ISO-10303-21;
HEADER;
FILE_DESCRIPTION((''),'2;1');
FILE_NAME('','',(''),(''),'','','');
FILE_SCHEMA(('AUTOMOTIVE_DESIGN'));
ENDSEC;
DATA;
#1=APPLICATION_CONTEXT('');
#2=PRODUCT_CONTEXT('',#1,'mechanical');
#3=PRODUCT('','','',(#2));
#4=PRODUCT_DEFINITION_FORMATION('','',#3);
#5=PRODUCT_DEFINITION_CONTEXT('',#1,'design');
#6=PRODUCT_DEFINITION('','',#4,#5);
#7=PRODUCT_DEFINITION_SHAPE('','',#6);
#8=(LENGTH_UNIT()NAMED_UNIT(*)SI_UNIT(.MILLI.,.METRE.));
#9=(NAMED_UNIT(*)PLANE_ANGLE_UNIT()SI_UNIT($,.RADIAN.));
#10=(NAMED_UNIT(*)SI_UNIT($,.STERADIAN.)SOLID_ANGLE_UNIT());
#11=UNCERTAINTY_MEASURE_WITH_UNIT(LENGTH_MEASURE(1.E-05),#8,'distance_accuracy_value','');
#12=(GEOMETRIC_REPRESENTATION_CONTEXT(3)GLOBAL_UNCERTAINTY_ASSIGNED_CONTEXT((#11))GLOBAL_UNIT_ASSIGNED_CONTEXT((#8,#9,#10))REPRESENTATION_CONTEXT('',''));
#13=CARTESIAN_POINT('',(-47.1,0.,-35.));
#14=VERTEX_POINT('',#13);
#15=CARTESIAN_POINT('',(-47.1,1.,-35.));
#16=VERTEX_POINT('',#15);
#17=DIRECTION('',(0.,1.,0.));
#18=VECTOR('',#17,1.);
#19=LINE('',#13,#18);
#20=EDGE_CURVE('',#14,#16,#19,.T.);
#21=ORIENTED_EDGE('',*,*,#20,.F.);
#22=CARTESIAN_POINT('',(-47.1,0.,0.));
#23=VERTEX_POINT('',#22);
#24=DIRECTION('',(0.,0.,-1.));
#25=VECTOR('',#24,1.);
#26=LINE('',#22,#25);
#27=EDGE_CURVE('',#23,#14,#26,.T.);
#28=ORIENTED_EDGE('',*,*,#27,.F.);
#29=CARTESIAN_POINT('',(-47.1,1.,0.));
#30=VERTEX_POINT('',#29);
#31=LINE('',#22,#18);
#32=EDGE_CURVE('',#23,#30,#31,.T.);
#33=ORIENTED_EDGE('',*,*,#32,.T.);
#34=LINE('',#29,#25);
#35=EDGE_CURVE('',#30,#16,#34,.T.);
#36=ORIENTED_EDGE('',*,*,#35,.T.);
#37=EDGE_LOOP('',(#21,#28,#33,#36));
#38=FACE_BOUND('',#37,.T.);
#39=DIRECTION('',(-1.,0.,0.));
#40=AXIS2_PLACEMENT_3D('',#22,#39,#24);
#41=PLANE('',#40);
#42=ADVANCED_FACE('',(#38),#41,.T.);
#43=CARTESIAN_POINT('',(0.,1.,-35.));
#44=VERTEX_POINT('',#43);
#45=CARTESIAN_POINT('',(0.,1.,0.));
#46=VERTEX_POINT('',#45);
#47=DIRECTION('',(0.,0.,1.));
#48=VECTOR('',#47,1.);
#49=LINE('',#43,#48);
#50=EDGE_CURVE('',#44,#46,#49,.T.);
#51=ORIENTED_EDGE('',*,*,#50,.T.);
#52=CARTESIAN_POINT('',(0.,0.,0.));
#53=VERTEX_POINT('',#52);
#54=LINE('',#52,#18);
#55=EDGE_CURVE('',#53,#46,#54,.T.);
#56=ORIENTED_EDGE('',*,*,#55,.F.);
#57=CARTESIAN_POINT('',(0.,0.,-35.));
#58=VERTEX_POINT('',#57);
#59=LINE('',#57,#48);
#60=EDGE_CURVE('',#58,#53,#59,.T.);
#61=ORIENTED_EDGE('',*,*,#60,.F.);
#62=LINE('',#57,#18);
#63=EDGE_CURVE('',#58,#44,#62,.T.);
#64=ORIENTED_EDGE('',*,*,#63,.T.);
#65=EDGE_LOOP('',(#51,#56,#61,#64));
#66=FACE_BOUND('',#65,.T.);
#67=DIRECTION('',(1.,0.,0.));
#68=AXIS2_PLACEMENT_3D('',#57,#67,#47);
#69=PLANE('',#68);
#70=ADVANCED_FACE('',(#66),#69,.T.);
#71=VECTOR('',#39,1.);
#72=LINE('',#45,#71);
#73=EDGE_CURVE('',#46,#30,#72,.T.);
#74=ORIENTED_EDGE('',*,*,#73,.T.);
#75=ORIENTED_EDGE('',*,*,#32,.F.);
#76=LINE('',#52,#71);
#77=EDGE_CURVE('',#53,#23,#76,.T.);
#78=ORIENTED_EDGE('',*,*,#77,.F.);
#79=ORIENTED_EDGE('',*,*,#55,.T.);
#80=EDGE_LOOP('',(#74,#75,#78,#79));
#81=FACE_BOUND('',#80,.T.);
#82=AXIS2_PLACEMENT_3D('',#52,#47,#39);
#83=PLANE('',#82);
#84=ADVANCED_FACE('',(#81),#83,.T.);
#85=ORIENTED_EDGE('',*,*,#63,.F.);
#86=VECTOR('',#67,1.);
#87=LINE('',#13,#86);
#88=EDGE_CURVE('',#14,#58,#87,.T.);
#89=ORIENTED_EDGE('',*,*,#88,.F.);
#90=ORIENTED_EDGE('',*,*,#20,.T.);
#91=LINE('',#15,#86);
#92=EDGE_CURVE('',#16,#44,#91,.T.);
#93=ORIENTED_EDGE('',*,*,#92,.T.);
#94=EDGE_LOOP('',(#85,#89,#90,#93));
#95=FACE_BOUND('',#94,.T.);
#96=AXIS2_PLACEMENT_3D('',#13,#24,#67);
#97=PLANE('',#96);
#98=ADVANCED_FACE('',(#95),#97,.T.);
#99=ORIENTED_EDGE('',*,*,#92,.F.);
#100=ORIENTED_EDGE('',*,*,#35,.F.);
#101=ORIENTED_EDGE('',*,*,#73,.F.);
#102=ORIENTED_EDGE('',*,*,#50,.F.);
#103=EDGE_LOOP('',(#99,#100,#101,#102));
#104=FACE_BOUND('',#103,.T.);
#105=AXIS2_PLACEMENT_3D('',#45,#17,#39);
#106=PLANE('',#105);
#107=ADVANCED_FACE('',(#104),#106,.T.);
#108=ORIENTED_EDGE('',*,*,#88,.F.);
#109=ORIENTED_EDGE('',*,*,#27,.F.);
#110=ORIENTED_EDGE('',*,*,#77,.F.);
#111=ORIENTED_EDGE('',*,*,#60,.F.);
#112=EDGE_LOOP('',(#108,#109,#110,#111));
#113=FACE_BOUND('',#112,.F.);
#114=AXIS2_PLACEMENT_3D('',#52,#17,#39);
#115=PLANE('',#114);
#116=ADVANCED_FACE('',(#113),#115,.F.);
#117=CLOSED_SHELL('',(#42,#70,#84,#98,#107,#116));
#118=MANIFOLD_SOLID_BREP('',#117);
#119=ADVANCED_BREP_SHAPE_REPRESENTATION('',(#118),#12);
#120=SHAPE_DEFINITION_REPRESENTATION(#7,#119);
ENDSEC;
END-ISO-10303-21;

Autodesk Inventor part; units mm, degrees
ref_plane "YZ Plane" through (0, 0, 0) normal (1, 0, 0) x (0, 1, 0)
ref_plane "XZ Plane" through (0, 0, 0) normal (0, 1, 0) x (-1, 0, 0)
ref_plane "XY Plane" through (0, 0, 0) normal (0, 0, 1) x (1, 0, 0)
sketch "Sketch1" plane through (0, 0, 0) normal (0, 1, 0) x (-1, 0, 0)
  line L0 (0, 0) -> (47.1, 0)
  line L1 (47.1, 0) -> (47.1, -35)
  line L2 (47.1, -35) -> (0, -35)
  line L3 (0, -35) -> (0, 0)
  dimension "d0" = 47.1
  dimension "d1" = 35
extrude "Extrusion1" add sketch "Sketch1" along normal blind 1
properties part number "75x0y0z_0x0y0z"
